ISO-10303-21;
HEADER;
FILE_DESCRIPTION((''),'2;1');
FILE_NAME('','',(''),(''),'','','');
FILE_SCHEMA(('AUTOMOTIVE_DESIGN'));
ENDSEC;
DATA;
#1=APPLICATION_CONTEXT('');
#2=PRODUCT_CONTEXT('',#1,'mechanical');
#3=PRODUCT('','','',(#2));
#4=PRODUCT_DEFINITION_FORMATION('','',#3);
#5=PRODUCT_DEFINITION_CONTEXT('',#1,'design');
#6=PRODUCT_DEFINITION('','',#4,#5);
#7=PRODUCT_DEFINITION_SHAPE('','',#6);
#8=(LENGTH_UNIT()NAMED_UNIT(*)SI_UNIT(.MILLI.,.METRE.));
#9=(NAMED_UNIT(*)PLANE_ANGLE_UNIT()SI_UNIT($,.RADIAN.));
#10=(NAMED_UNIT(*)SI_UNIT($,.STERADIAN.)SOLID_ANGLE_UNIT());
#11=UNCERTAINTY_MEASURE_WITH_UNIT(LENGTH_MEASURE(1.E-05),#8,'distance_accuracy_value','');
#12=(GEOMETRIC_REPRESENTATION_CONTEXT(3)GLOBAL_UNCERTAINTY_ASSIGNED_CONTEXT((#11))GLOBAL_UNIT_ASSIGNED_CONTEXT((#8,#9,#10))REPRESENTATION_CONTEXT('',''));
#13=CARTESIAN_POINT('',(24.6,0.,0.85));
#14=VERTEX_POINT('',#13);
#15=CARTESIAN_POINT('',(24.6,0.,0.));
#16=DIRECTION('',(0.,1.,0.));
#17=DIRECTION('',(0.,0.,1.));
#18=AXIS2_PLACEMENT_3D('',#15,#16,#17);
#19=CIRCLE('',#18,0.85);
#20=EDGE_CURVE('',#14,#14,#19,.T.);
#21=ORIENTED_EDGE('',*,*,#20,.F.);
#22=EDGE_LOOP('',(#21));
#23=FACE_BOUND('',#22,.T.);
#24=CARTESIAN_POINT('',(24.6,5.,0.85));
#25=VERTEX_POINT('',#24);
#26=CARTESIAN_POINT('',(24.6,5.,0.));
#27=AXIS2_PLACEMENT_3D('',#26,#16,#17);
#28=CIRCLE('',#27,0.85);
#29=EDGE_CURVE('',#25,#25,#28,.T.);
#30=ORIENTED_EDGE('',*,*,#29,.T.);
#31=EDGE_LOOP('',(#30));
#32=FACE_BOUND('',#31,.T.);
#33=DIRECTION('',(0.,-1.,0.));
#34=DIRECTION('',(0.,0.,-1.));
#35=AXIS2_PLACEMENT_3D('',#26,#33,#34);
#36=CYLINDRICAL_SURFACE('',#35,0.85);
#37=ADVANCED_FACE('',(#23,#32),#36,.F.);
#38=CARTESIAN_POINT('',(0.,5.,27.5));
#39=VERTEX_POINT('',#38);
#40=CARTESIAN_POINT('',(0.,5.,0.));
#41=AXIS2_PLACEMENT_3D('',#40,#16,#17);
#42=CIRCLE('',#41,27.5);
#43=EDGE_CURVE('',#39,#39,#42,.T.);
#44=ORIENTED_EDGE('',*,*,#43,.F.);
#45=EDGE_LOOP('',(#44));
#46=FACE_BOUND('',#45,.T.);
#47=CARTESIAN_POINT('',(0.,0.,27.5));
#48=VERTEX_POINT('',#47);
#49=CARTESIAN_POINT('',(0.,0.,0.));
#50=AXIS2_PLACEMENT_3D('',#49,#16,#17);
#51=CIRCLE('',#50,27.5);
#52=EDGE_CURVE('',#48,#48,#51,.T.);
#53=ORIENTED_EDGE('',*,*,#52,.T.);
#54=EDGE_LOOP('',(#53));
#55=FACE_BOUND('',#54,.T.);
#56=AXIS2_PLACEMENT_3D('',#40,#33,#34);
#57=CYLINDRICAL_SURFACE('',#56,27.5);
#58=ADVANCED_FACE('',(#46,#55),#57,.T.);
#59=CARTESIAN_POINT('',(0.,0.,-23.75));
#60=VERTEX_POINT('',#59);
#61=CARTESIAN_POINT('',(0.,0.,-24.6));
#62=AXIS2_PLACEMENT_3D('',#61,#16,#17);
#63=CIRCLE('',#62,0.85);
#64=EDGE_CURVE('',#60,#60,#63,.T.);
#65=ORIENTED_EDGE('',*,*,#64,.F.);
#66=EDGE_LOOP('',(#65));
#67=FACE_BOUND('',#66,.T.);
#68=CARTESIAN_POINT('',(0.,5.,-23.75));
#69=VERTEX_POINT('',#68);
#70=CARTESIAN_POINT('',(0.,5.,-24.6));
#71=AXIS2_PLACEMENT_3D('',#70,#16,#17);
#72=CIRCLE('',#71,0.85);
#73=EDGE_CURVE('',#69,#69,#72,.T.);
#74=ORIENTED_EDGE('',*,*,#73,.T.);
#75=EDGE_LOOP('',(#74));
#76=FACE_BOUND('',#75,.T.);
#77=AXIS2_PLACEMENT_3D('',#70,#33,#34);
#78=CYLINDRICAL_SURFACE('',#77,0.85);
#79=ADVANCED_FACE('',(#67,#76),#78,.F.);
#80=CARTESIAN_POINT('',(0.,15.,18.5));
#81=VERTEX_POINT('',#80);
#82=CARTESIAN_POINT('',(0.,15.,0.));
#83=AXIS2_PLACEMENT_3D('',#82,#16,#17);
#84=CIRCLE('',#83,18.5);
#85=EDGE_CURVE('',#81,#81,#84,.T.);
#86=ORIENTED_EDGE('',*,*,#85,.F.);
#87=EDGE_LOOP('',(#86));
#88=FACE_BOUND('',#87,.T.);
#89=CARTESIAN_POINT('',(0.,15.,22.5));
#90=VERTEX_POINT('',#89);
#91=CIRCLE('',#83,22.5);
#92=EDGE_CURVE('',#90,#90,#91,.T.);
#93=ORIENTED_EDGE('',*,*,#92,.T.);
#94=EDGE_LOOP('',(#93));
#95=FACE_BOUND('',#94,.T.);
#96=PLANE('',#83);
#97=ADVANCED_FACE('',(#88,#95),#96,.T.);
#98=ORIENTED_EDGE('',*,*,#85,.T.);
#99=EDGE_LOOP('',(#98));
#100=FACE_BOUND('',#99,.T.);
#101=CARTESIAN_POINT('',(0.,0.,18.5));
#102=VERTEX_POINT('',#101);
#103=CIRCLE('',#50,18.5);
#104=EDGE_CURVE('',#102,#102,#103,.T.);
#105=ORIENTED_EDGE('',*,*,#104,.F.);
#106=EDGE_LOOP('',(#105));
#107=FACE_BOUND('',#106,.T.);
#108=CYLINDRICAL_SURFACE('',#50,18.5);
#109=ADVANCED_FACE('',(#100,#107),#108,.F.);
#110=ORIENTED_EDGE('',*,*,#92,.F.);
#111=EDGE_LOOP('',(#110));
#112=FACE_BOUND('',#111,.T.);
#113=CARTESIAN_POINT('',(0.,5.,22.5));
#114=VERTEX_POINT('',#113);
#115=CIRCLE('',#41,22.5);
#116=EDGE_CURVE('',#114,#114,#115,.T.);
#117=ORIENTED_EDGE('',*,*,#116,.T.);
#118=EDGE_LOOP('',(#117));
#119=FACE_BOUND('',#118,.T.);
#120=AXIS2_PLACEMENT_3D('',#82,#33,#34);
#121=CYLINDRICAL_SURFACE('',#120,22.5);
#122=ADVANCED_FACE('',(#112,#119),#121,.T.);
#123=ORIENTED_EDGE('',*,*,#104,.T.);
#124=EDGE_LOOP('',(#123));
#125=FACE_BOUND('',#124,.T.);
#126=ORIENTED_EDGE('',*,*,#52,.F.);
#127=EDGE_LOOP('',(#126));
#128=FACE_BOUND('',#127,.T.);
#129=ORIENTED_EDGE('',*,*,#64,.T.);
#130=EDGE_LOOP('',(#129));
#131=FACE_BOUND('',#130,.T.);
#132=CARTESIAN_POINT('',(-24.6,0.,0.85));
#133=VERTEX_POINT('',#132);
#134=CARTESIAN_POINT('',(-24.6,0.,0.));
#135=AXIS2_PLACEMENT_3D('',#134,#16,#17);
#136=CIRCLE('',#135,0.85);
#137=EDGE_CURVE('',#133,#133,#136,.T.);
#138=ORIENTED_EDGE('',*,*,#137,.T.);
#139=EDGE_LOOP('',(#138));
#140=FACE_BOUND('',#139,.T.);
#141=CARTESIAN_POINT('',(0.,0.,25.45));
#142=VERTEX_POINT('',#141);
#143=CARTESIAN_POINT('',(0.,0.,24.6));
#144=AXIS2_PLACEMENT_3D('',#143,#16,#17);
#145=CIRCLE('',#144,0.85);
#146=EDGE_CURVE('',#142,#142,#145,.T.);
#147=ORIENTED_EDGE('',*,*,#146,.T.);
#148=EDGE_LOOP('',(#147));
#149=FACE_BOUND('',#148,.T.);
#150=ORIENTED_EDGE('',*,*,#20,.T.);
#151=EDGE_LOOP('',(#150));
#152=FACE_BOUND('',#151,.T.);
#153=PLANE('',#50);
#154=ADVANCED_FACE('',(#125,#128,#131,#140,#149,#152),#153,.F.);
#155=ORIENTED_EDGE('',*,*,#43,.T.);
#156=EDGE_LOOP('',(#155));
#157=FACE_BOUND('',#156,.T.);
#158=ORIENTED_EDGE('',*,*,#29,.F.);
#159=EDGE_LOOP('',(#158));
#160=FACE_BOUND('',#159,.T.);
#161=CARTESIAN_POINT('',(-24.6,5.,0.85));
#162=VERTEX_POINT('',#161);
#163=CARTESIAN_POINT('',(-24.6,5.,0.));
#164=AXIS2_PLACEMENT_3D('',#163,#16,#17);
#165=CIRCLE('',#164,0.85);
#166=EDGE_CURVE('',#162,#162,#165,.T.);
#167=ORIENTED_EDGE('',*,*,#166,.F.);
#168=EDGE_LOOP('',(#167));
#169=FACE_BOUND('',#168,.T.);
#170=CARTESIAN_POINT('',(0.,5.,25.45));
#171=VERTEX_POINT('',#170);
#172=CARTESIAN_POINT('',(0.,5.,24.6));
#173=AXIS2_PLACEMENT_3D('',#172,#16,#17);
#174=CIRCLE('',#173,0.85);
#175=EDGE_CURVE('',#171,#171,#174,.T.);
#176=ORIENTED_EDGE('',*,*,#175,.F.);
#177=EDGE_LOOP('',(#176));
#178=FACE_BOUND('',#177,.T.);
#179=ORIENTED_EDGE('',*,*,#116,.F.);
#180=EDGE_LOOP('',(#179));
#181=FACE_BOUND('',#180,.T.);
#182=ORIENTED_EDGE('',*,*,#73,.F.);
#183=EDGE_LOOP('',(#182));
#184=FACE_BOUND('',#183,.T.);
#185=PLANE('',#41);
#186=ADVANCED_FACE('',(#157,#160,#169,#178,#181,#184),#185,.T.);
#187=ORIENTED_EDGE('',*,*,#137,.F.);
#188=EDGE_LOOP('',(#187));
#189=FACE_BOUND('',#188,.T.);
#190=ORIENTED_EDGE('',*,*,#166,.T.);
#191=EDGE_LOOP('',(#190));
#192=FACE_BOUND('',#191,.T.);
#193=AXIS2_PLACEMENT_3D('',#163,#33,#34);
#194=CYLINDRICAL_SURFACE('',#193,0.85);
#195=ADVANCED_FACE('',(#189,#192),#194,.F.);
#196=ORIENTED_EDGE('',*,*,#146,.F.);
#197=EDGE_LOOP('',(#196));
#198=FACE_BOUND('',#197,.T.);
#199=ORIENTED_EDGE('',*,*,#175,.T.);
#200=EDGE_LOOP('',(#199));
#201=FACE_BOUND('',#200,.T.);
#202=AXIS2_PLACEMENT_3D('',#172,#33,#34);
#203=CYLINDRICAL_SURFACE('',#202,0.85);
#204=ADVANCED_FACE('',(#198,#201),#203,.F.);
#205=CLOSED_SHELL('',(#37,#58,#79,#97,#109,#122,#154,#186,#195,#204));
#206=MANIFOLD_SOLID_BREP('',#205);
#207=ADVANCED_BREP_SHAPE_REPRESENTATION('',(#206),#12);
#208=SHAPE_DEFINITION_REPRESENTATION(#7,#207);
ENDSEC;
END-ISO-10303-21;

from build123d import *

# Parameters (mm, degrees)
SKETCH_2_R          = 27.5
SKETCH_2_R_2        = 0.85
EXTRUDE_1_DEPTH     = 5
SKETCH_3_R          = 22.5
EXTRUDE_2_DEPTH     = 10
SKETCH_4_R          = 18.5
CUT_EXTRUDE_1_DEPTH = 42.683330001


with BuildPart() as part:
    # 草图2 → 凸台-拉伸1 (new body)
    with BuildSketch(Plane(origin=(0, 0, 0), x_dir=(1, 0, 0), z_dir=(0, 1, 0))):
        with Locations(Location((0, 0, 0), (0, 0, 270))):
            Circle(SKETCH_2_R)
        with Locations(Location((0, 24.6, 0), (0, 0, 270))):
            Circle(SKETCH_2_R_2, mode=Mode.SUBTRACT)
        with Locations(Location((24.6, 0, 0), (0, 0, 270))):
            Circle(SKETCH_2_R_2, mode=Mode.SUBTRACT)
        with Locations(Location((0, -24.6, 0), (0, 0, 270))):
            Circle(SKETCH_2_R_2, mode=Mode.SUBTRACT)
        with Locations(Location((-24.6, 0, 0), (0, 0, 270))):
            Circle(SKETCH_2_R_2, mode=Mode.SUBTRACT)
    extrude(amount=EXTRUDE_1_DEPTH)

    # 草图3 → 凸台-拉伸2 (add)
    with BuildSketch(Plane(origin=(0, 5, 0), x_dir=(1, 0, 0), z_dir=(0, 1, 0))):
        with Locations(Location((0, 0, 0), (0, 0, 270))):
            Circle(SKETCH_3_R)
    extrude(amount=EXTRUDE_2_DEPTH)

    # 草图4 → 切除-拉伸1 (cut, through all)
    with BuildSketch(Plane(origin=(0, 15, 0), x_dir=(1, 0, 0), z_dir=(0, 1, 0))):
        with Locations(Location((0, 0, 0), (0, 0, 270))):
            Circle(SKETCH_4_R)
    extrude(amount=-CUT_EXTRUDE_1_DEPTH, mode=Mode.SUBTRACT)


solid = part.part
